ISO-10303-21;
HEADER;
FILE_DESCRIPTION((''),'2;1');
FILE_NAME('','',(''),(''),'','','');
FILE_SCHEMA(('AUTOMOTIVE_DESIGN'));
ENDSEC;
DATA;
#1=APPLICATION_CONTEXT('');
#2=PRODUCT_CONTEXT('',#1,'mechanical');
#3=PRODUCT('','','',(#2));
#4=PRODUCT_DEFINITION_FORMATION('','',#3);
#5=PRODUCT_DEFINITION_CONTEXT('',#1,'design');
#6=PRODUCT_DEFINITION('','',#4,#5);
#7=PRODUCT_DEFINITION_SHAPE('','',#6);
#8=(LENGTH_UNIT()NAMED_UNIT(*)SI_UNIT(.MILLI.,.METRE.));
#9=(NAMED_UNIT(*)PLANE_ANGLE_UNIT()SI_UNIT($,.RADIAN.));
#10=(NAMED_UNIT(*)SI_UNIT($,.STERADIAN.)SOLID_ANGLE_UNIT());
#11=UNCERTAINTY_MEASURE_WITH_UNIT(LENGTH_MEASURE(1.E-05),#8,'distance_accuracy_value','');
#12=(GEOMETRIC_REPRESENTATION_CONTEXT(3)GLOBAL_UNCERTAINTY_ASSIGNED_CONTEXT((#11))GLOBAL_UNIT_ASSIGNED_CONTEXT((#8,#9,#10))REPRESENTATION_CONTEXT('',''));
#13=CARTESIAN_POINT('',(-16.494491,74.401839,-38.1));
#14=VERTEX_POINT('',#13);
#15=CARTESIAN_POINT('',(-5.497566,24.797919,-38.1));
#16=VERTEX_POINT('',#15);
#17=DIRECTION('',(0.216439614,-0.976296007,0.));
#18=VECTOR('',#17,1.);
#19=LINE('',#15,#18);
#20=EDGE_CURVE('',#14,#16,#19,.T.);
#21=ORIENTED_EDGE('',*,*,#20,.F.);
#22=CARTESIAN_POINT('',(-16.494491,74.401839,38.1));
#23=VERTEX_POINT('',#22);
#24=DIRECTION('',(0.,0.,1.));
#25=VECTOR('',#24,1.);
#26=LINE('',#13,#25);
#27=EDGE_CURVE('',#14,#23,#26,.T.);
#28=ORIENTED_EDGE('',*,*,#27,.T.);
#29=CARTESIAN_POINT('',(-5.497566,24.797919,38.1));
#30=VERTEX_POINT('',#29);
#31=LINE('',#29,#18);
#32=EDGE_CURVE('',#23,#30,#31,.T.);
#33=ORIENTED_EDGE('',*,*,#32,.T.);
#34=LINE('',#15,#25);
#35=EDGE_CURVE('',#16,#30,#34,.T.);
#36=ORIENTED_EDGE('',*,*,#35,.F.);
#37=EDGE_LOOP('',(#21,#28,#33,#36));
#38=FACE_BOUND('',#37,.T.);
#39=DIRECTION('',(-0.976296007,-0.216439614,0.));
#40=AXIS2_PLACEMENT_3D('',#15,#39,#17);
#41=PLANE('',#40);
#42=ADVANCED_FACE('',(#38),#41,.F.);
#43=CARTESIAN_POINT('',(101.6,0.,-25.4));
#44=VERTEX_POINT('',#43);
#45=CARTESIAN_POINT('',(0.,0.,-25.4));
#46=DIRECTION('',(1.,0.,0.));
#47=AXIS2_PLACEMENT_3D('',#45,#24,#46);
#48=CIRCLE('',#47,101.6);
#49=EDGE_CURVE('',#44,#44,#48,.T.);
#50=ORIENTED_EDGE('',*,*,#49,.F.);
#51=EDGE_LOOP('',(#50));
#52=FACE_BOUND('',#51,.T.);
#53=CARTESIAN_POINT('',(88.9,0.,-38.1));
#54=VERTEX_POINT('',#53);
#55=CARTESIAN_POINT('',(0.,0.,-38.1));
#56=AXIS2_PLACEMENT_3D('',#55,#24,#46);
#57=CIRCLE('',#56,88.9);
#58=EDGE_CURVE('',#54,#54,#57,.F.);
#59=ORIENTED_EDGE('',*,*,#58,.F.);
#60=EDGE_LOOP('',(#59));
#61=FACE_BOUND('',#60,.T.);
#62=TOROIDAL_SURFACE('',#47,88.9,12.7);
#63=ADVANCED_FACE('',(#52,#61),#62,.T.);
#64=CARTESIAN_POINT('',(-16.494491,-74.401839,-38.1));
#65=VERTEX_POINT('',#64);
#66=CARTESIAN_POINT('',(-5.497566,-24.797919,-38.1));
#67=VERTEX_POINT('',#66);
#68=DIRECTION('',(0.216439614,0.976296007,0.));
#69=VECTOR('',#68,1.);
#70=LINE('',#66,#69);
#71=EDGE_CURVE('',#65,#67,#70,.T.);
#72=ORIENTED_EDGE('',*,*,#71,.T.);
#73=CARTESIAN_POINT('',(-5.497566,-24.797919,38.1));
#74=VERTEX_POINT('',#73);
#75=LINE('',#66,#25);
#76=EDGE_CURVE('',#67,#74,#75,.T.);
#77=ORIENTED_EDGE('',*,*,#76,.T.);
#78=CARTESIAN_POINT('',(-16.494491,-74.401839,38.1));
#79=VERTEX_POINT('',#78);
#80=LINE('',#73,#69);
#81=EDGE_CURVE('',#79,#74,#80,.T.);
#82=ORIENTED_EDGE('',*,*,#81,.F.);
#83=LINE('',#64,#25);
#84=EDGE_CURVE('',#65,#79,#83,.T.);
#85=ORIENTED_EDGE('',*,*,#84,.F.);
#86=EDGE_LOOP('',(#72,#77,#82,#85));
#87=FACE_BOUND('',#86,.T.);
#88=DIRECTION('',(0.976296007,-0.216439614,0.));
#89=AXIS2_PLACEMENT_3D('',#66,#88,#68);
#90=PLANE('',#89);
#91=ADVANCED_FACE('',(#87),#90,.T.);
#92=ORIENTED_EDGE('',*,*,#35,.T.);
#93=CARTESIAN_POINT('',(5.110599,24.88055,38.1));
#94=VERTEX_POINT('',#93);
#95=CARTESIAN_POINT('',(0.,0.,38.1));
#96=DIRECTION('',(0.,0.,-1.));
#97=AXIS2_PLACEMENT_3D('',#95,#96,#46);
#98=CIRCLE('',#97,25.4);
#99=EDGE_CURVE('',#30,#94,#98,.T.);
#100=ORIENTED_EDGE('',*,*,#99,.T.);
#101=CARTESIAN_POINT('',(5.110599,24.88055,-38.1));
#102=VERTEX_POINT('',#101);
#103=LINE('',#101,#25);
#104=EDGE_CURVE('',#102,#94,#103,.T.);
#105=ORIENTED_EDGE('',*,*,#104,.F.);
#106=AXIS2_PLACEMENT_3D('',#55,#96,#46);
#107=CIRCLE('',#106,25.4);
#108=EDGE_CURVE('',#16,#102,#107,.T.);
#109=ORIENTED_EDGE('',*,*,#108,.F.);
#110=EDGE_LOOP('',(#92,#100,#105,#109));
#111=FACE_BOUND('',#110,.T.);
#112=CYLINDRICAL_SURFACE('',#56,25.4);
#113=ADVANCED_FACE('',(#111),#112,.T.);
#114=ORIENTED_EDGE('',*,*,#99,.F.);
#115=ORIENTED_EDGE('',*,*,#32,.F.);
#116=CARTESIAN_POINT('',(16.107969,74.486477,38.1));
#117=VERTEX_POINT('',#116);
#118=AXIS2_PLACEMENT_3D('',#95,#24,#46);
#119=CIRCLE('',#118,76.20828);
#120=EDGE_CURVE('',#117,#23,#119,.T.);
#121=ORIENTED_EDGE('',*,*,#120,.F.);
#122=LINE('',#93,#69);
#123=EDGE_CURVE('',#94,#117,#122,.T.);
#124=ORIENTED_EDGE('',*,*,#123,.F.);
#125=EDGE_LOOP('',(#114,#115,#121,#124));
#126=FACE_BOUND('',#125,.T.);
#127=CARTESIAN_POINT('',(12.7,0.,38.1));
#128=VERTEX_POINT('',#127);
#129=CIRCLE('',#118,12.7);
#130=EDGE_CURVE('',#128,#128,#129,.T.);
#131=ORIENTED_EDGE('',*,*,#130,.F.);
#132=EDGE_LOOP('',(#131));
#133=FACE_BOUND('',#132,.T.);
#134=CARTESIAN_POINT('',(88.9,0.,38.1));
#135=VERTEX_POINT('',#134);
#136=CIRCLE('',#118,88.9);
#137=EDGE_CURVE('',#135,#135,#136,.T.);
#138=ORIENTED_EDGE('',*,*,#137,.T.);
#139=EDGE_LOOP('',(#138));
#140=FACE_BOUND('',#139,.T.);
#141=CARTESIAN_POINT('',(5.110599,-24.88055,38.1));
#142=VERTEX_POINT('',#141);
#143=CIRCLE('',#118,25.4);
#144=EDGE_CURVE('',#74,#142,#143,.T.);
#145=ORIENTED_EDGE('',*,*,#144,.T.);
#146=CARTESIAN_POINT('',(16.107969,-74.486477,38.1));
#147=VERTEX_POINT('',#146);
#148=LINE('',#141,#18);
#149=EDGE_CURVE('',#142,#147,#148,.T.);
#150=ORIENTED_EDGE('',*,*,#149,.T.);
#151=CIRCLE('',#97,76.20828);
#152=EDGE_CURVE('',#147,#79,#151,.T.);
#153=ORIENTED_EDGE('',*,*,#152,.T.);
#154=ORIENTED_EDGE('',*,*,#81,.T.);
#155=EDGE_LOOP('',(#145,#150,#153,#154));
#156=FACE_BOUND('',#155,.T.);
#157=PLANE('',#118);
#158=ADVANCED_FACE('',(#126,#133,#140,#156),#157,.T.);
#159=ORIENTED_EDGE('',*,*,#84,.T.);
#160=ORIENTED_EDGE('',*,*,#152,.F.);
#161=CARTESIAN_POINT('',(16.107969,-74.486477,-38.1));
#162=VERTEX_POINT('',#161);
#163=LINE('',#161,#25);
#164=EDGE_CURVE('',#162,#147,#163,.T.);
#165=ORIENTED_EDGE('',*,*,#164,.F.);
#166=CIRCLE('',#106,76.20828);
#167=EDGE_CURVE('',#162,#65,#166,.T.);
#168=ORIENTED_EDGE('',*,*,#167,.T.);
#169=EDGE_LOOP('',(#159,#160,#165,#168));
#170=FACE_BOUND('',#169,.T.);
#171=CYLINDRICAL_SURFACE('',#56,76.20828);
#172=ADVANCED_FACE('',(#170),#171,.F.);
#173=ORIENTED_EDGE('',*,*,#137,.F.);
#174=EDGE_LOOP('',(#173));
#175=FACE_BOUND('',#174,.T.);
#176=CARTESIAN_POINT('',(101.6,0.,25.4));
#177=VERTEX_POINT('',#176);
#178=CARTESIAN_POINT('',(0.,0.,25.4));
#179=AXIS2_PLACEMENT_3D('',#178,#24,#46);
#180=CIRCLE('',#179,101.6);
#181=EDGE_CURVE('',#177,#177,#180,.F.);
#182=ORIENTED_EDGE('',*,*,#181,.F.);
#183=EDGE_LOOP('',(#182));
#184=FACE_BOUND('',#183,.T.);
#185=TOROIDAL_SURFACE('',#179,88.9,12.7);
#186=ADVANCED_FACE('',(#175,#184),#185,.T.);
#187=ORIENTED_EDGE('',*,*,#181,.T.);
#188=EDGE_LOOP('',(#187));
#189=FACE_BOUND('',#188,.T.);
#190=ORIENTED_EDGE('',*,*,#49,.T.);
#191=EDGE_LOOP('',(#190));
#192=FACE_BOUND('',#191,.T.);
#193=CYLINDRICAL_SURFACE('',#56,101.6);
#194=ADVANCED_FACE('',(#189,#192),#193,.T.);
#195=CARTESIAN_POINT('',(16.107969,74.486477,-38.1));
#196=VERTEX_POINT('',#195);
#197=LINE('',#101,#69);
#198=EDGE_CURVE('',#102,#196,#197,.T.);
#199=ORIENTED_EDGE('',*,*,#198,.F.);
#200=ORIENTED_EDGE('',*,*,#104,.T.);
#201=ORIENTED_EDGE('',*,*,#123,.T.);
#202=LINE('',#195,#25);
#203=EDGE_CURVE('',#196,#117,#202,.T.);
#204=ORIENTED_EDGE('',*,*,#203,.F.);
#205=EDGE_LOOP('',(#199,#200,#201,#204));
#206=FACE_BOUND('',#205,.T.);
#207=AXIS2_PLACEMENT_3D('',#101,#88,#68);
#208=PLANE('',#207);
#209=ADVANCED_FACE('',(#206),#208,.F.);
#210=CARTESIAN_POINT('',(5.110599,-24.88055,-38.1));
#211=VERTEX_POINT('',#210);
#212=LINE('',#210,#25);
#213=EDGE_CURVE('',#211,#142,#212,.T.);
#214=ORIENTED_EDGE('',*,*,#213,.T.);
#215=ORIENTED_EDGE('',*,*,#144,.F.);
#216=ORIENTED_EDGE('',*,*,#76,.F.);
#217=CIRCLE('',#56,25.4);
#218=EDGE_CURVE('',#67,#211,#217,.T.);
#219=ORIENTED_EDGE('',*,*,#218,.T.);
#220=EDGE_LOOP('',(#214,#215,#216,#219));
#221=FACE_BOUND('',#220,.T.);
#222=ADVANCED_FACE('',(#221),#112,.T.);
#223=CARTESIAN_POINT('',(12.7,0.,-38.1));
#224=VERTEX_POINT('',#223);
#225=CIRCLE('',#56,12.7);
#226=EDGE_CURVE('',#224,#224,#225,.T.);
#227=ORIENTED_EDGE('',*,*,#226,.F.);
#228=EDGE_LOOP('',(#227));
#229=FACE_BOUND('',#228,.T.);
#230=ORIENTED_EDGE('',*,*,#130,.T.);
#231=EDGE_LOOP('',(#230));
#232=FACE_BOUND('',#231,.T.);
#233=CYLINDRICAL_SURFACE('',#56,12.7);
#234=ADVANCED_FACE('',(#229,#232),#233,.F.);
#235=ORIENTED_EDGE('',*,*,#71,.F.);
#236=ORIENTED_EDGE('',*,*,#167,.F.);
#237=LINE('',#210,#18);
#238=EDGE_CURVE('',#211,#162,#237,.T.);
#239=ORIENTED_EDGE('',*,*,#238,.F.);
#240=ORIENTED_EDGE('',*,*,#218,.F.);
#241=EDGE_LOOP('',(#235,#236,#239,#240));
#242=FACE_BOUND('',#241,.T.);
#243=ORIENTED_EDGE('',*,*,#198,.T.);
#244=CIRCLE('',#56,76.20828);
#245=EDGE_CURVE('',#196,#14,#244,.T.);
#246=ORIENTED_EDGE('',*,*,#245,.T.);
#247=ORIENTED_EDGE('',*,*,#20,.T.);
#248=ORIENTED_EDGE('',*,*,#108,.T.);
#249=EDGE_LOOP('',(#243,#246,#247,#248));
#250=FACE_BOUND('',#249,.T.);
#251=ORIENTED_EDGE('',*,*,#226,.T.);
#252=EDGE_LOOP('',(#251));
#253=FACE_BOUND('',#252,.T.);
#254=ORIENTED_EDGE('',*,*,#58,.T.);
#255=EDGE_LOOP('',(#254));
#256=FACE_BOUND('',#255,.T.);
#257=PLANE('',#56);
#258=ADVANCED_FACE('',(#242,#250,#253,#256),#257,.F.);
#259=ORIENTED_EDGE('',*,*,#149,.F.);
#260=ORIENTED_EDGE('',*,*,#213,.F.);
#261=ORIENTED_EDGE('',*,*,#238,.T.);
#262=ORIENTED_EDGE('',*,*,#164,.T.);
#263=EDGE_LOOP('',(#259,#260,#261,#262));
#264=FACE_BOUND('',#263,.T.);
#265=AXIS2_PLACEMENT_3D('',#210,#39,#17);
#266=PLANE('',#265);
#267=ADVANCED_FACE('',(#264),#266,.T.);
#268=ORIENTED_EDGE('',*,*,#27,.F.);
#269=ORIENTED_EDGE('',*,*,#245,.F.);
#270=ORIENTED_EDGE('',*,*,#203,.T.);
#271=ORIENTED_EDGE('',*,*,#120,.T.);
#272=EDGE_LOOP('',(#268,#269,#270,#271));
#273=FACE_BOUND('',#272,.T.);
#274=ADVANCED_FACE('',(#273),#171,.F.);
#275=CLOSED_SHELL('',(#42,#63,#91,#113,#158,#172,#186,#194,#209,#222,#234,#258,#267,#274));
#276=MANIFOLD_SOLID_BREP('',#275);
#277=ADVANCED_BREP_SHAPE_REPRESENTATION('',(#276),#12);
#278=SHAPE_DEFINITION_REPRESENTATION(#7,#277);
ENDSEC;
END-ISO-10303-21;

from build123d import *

# Parameters (mm, degrees)
BOSS_EXTRUDE1_DEPTH      = 38.1
BOSS_EXTRUDE1_DEPTH_BACK = 38.1
SKETCH1_R                = 101.6
SKETCH2_R                = 12.7
CUT_EXTRUDE1_DEPTH       = 163.639355631
FILLET1_R                = 12.7
FILLET2_R                = 12.7
CUT_EXTRUDE2_DEPTH       = 163.639355693


with BuildPart() as part:
    # Sketch1 → Boss-Extrude1 (new, two sides: drawn at the far end of the back side and taken through both)
    with BuildSketch(Plane.XY.offset(-BOSS_EXTRUDE1_DEPTH_BACK)):
        Circle(SKETCH1_R)
    extrude(amount=BOSS_EXTRUDE1_DEPTH + BOSS_EXTRUDE1_DEPTH_BACK)

    # Sketch2 → Cut-Extrude1 (cut, through all)
    with BuildSketch(Plane.XY.offset(38.1)):
        Circle(SKETCH2_R)
    extrude(amount=-CUT_EXTRUDE1_DEPTH, mode=Mode.SUBTRACT)

    # Fillet1
    fillet1_edges = [part.edges().sort_by_distance(p)[0] for p in [
        (-101.6, 0, 38.1),
    ]]
    fillet(fillet1_edges, radius=FILLET1_R)

    # Fillet2
    fillet2_edges = [part.edges().sort_by_distance(p)[0] for p in [
        (-101.6, 0, -38.1),
    ]]
    fillet(fillet2_edges, radius=FILLET2_R)

    # Sketch3 → Cut-Extrude2 (cut, through all)
    with BuildSketch(Plane.XY.offset(38.1)):
        with BuildLine():
            Line((5.110599479, 24.880550094), (16.107968661, 74.486476782))
            ThreePointArc((16.107968661, 74.486476782), (-0.197840063, 76.208022787), (-16.494490613, 74.401839071))
            Line((-16.494490613, 74.401839071), (-5.497566194, 24.797918581))
            ThreePointArc((-5.497566194, 24.797918581), (-0.197845398, 25.399229461), (5.110599479, 24.880550094))
        make_face()
    cut_extrude2 = extrude(amount=-CUT_EXTRUDE2_DEPTH, mode=Mode.SUBTRACT)

    # Mirror1: Cut-Extrude2 across plane
    add(cut_extrude2.mirror(Plane.ZX), mode=Mode.SUBTRACT)


solid = part.part
